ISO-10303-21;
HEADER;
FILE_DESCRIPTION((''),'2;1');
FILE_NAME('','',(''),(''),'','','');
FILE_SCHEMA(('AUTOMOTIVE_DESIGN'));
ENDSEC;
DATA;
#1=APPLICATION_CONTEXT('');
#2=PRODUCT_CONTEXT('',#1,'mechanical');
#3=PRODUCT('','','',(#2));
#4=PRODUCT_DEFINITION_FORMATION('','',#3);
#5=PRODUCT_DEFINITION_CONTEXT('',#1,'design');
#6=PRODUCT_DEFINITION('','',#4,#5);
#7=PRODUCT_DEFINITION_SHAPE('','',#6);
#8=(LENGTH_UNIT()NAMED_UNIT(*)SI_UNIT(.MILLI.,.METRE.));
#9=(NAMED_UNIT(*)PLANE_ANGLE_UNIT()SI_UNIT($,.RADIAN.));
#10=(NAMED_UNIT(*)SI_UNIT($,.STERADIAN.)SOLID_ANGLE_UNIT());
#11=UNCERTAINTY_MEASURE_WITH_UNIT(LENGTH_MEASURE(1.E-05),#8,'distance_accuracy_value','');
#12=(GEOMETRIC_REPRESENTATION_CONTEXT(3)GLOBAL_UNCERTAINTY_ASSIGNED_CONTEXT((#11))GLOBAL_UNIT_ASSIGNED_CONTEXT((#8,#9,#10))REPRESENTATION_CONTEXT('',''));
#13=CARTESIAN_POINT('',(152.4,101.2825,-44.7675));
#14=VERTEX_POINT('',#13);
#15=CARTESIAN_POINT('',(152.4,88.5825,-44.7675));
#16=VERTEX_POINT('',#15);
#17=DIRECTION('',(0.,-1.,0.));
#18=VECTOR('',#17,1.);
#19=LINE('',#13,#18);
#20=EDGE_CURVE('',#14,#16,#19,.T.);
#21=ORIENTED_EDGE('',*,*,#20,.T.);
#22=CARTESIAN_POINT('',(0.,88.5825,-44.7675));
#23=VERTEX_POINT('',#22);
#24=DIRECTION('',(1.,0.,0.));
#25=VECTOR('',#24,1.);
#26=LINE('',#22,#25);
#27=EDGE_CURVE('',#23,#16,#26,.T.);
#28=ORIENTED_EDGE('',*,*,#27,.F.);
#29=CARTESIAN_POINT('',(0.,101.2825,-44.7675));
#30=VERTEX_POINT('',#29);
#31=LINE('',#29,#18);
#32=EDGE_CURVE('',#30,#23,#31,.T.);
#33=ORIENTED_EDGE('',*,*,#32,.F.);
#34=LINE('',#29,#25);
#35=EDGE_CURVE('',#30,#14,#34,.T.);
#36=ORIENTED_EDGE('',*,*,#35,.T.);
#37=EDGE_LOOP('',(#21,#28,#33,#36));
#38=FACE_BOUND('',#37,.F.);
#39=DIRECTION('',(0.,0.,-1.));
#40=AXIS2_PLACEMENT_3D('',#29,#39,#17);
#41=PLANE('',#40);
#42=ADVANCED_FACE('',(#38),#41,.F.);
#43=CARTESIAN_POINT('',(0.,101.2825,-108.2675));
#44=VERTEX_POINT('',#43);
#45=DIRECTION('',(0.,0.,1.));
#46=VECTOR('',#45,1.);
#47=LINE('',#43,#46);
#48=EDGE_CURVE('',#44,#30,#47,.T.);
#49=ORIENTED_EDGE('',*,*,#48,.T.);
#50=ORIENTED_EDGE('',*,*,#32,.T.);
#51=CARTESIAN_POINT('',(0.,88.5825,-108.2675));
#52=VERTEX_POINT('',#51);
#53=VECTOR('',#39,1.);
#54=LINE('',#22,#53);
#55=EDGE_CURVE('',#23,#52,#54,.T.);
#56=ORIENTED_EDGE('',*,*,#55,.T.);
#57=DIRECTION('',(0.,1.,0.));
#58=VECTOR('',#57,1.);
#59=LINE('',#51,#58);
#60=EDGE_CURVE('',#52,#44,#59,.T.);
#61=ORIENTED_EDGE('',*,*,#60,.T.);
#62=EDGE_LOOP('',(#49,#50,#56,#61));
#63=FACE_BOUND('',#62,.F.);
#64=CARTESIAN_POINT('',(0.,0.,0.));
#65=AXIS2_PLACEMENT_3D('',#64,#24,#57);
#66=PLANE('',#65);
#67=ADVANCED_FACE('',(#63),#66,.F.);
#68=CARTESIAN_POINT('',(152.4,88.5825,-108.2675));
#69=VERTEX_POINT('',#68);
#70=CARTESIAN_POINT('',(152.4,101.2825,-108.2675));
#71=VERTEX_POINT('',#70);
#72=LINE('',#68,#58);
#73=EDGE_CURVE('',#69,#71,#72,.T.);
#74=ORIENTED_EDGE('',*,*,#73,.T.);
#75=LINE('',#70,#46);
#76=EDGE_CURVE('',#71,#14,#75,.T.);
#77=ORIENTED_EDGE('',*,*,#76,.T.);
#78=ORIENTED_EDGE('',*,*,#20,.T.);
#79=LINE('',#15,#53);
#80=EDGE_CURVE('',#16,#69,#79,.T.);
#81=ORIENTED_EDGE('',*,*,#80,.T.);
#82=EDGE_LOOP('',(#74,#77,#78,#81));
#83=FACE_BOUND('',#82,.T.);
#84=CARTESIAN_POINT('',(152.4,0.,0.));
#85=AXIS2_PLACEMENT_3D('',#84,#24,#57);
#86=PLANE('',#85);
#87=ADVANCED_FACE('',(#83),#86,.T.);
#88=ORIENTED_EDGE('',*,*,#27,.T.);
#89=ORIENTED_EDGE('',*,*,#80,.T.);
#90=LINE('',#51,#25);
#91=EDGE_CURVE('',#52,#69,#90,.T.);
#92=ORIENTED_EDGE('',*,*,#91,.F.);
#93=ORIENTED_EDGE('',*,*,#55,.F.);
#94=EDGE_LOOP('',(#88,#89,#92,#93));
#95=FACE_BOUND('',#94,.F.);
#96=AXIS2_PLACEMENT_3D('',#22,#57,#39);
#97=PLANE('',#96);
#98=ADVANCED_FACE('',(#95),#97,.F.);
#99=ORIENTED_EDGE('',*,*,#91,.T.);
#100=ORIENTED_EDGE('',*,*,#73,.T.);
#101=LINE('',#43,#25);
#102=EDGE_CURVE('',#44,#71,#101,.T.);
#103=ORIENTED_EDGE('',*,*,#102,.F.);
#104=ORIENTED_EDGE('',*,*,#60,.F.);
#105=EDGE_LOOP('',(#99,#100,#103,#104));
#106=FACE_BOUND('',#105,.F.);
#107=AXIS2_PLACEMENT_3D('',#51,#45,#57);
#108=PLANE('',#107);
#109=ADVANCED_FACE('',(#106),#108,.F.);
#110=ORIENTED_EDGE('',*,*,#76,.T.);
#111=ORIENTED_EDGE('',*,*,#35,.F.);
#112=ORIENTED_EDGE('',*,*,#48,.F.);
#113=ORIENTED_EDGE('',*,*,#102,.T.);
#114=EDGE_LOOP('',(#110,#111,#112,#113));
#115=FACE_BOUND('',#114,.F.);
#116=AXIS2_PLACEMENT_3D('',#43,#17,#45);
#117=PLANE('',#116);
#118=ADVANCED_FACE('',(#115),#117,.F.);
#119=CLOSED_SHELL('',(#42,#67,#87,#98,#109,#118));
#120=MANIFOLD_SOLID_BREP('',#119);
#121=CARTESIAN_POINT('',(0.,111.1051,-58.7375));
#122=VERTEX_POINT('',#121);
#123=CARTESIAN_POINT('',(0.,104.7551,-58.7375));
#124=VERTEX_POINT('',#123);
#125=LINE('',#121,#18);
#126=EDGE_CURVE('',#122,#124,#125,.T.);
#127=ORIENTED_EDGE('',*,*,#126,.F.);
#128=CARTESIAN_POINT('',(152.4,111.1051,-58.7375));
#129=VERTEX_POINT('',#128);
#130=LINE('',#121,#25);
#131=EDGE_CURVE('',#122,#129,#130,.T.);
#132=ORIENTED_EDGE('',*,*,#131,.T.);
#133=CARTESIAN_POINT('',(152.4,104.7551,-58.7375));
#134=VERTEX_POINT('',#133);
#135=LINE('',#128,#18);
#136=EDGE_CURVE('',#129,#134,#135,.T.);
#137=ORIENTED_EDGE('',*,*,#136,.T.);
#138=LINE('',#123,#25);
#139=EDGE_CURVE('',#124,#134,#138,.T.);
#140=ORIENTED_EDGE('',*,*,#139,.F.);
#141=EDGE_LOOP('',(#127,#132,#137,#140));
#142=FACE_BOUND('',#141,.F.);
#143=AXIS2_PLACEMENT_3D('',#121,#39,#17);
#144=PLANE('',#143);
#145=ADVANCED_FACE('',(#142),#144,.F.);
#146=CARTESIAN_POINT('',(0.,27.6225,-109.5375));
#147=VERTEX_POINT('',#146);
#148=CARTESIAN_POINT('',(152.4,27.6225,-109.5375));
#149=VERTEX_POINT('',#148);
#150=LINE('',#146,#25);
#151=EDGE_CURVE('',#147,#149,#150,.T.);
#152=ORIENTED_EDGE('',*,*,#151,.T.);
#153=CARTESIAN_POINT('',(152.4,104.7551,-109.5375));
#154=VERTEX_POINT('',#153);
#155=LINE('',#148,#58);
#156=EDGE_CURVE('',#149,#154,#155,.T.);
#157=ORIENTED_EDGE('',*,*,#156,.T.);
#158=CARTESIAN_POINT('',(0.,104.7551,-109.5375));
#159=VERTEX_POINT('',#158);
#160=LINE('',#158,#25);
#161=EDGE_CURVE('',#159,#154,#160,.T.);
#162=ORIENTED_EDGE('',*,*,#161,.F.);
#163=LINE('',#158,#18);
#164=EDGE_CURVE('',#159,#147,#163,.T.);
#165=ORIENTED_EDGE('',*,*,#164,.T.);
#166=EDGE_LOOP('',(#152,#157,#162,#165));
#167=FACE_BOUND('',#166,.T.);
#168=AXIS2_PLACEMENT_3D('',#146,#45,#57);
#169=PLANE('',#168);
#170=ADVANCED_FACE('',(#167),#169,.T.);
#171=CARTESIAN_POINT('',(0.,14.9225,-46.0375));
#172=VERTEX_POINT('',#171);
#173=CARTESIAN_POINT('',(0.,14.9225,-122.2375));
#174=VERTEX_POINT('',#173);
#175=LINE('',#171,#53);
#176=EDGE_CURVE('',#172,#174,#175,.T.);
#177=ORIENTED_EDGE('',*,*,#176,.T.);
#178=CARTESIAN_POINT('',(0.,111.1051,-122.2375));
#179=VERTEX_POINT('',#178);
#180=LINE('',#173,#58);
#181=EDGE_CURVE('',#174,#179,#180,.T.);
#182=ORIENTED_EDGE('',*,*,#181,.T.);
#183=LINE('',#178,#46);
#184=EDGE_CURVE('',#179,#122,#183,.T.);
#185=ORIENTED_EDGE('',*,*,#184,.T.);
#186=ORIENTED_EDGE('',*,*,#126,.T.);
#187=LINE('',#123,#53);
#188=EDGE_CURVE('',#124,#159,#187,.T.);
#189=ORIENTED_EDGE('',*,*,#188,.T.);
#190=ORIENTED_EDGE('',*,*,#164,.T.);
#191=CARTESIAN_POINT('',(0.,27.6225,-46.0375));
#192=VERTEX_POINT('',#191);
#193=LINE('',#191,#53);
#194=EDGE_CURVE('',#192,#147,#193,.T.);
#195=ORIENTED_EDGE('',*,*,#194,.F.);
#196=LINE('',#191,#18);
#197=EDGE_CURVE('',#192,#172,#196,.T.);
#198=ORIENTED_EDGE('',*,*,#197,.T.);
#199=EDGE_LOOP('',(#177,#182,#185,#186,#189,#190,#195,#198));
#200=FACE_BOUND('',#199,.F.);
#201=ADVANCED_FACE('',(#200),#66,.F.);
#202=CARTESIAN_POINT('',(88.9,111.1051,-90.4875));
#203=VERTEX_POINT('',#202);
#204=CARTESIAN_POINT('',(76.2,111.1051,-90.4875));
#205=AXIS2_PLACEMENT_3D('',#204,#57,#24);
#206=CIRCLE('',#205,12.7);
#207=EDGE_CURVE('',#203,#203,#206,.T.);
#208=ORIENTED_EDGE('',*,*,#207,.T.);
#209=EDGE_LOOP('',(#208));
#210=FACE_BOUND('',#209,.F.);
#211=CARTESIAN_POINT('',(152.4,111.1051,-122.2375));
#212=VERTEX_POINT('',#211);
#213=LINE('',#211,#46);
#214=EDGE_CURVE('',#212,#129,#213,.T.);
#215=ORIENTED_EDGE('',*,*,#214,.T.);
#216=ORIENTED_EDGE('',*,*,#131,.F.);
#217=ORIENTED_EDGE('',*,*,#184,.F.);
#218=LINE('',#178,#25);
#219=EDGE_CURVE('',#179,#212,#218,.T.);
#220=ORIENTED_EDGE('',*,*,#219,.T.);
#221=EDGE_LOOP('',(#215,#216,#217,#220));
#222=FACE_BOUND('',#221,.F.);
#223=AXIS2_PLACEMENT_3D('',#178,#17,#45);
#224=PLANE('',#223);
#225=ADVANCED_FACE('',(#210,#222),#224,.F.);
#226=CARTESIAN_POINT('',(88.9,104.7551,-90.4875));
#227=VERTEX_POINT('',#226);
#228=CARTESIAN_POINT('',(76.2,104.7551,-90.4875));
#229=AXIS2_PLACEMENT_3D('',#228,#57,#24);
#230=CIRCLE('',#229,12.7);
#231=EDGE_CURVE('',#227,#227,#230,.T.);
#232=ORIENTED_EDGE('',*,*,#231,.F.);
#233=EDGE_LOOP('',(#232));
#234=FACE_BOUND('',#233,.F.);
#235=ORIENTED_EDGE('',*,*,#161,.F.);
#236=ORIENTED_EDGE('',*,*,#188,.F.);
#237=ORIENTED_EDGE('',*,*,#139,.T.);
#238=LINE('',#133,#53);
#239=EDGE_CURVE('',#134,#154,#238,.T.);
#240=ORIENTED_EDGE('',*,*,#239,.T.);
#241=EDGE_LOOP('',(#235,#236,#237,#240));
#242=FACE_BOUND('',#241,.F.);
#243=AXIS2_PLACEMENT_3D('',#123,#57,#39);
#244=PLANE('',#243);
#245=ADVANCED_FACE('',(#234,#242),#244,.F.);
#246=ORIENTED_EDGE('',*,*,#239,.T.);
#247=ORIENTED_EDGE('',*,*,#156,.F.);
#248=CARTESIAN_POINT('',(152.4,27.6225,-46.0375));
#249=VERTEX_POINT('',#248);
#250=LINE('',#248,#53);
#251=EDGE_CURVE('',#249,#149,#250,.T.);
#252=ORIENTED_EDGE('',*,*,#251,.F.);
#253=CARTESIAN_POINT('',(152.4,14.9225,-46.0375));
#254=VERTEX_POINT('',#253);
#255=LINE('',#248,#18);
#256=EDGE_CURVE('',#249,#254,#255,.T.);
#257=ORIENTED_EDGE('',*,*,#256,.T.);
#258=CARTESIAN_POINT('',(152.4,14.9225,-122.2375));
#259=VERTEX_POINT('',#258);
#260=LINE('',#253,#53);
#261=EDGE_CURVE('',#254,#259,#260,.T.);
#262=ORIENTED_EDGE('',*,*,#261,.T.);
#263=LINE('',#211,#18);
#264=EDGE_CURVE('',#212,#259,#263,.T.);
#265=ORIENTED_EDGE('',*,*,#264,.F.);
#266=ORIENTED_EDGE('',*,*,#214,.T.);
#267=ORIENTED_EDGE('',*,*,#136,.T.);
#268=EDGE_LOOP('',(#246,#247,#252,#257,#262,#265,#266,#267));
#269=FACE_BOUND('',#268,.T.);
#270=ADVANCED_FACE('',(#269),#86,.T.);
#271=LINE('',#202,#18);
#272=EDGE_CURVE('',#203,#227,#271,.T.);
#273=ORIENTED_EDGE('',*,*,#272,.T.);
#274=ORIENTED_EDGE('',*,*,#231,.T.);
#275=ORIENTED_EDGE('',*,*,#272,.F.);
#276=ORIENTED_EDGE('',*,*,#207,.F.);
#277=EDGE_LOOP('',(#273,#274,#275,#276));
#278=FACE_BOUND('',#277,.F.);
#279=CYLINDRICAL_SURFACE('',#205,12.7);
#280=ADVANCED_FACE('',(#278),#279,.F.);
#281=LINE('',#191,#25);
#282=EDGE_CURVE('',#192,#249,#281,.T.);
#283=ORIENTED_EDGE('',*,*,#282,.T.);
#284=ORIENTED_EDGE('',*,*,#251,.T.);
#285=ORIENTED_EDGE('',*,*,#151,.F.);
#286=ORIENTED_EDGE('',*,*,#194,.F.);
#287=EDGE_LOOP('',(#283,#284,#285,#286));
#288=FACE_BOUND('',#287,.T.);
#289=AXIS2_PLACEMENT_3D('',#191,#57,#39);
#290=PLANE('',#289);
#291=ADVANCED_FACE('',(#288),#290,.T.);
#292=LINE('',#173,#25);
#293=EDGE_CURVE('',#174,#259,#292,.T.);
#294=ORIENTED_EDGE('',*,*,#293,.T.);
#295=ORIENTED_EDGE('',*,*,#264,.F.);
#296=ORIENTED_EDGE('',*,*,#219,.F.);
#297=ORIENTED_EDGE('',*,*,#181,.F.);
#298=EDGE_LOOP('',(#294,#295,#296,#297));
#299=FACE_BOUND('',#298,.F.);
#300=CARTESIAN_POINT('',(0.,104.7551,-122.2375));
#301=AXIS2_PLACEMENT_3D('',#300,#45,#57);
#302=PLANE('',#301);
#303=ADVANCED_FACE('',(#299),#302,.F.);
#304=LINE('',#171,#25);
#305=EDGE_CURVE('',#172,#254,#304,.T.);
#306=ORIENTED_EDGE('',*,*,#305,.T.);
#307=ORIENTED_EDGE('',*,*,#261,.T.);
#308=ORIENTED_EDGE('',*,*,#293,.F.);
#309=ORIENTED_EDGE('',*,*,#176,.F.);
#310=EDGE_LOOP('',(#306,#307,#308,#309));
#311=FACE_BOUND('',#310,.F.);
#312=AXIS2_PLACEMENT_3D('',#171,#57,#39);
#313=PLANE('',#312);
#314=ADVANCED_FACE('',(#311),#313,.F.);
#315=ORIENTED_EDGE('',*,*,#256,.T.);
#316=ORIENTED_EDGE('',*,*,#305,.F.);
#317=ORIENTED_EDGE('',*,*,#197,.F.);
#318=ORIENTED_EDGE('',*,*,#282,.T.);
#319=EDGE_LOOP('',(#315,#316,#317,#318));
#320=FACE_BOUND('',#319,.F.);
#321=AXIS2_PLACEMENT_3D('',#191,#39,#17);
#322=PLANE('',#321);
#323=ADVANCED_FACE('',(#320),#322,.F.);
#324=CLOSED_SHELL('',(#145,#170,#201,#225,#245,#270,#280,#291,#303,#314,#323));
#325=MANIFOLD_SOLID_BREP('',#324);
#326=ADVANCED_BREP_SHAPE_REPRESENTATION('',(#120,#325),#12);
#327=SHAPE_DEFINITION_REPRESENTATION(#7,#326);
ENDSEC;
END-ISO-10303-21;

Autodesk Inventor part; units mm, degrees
ref_plane "YZ Plane" through (0, 0, 0) normal (1, 0, 0) x (0, 1, 0)
ref_plane "XZ Plane" through (0, 0, 0) normal (0, 1, 0) x (-1, 0, 0)
ref_plane "XY Plane" through (0, 0, 0) normal (0, 0, 1) x (1, 0, 0)
sketch "Sketch1" plane through (0, 0, 0) normal (1, 0, 0) x (0, 1, 0)
  line L0 (27.6225, -46.0375) -> (27.6225, -109.5375)
  line L1 (27.6225, -109.5375) -> (88.5825, -109.5375)
  line L2 (14.9225, -46.0375) -> (14.9225, -122.2375)
  line L3 (14.9225, -122.2375) -> (104.7551, -122.2375)
  line L4 (27.6225, -46.0375) -> (14.9225, -46.0375)
  line L5 (88.5825, -109.5375) -> (104.7551, -109.5375)
  line L6 (101.2825, -44.7675) -> (88.5825, -44.7675)
  line L7 (88.5825, -44.7675) -> (88.5825, -108.2675)
  line L8 (88.5825, -108.2675) -> (101.2825, -108.2675)
  line L9 (101.2825, -108.2675) -> (101.2825, -44.7675)
  line L10 (111.1051, -58.7375) -> (104.7551, -58.7375)
  line L11 (104.7551, -58.7375) -> (104.7551, -109.5375)
  line L12 (104.7551, -122.2375) -> (111.1051, -122.2375)
  line L13 (111.1051, -122.2375) -> (111.1051, -58.7375)
  point P0 (0, 0)
  dimension "d2" = 12.7
  dimension "d4" = 63.5
  dimension "d7" = 63.5
  dimension "d8" = 12.7
  dimension "d9" = 1.27
  dimension "d10" = 60.96
  dimension "d11" = 6.35
  dimension "d12" = 63.5
extrude "Extrusion1" add sketch "Sketch1" along normal blind 152.4
sketch "Sketch2" plane through (0, 111.1051, -58.7375) normal (0, 1, 0) x (1, 0, 0)
  circle A0 centre (76.2, 31.75) radius 12.7
  line L0 (0, 63.5) -> (152.4, 63.5) projected
  line L1 (0, 63.5) -> (0, 0) projected
  line L2 (152.4, 63.5) -> (152.4, 0) projected
  point P0 (0, -58.7375)
  dimension "d16" = 152.4
  dimension "d17" = 76.2
  dimension "d18" = 63.5
  dimension "d19" = 31.75
  dimension "d20" = 25.4
extrude "Extrusion2" cut sketch "Sketch2" against normal blind 7.62
equation "\"d17\" = 0.5 * d16"
equation "\"d19\" = 0.5 * d18"
properties part number "Clamp for Box Crusher"
